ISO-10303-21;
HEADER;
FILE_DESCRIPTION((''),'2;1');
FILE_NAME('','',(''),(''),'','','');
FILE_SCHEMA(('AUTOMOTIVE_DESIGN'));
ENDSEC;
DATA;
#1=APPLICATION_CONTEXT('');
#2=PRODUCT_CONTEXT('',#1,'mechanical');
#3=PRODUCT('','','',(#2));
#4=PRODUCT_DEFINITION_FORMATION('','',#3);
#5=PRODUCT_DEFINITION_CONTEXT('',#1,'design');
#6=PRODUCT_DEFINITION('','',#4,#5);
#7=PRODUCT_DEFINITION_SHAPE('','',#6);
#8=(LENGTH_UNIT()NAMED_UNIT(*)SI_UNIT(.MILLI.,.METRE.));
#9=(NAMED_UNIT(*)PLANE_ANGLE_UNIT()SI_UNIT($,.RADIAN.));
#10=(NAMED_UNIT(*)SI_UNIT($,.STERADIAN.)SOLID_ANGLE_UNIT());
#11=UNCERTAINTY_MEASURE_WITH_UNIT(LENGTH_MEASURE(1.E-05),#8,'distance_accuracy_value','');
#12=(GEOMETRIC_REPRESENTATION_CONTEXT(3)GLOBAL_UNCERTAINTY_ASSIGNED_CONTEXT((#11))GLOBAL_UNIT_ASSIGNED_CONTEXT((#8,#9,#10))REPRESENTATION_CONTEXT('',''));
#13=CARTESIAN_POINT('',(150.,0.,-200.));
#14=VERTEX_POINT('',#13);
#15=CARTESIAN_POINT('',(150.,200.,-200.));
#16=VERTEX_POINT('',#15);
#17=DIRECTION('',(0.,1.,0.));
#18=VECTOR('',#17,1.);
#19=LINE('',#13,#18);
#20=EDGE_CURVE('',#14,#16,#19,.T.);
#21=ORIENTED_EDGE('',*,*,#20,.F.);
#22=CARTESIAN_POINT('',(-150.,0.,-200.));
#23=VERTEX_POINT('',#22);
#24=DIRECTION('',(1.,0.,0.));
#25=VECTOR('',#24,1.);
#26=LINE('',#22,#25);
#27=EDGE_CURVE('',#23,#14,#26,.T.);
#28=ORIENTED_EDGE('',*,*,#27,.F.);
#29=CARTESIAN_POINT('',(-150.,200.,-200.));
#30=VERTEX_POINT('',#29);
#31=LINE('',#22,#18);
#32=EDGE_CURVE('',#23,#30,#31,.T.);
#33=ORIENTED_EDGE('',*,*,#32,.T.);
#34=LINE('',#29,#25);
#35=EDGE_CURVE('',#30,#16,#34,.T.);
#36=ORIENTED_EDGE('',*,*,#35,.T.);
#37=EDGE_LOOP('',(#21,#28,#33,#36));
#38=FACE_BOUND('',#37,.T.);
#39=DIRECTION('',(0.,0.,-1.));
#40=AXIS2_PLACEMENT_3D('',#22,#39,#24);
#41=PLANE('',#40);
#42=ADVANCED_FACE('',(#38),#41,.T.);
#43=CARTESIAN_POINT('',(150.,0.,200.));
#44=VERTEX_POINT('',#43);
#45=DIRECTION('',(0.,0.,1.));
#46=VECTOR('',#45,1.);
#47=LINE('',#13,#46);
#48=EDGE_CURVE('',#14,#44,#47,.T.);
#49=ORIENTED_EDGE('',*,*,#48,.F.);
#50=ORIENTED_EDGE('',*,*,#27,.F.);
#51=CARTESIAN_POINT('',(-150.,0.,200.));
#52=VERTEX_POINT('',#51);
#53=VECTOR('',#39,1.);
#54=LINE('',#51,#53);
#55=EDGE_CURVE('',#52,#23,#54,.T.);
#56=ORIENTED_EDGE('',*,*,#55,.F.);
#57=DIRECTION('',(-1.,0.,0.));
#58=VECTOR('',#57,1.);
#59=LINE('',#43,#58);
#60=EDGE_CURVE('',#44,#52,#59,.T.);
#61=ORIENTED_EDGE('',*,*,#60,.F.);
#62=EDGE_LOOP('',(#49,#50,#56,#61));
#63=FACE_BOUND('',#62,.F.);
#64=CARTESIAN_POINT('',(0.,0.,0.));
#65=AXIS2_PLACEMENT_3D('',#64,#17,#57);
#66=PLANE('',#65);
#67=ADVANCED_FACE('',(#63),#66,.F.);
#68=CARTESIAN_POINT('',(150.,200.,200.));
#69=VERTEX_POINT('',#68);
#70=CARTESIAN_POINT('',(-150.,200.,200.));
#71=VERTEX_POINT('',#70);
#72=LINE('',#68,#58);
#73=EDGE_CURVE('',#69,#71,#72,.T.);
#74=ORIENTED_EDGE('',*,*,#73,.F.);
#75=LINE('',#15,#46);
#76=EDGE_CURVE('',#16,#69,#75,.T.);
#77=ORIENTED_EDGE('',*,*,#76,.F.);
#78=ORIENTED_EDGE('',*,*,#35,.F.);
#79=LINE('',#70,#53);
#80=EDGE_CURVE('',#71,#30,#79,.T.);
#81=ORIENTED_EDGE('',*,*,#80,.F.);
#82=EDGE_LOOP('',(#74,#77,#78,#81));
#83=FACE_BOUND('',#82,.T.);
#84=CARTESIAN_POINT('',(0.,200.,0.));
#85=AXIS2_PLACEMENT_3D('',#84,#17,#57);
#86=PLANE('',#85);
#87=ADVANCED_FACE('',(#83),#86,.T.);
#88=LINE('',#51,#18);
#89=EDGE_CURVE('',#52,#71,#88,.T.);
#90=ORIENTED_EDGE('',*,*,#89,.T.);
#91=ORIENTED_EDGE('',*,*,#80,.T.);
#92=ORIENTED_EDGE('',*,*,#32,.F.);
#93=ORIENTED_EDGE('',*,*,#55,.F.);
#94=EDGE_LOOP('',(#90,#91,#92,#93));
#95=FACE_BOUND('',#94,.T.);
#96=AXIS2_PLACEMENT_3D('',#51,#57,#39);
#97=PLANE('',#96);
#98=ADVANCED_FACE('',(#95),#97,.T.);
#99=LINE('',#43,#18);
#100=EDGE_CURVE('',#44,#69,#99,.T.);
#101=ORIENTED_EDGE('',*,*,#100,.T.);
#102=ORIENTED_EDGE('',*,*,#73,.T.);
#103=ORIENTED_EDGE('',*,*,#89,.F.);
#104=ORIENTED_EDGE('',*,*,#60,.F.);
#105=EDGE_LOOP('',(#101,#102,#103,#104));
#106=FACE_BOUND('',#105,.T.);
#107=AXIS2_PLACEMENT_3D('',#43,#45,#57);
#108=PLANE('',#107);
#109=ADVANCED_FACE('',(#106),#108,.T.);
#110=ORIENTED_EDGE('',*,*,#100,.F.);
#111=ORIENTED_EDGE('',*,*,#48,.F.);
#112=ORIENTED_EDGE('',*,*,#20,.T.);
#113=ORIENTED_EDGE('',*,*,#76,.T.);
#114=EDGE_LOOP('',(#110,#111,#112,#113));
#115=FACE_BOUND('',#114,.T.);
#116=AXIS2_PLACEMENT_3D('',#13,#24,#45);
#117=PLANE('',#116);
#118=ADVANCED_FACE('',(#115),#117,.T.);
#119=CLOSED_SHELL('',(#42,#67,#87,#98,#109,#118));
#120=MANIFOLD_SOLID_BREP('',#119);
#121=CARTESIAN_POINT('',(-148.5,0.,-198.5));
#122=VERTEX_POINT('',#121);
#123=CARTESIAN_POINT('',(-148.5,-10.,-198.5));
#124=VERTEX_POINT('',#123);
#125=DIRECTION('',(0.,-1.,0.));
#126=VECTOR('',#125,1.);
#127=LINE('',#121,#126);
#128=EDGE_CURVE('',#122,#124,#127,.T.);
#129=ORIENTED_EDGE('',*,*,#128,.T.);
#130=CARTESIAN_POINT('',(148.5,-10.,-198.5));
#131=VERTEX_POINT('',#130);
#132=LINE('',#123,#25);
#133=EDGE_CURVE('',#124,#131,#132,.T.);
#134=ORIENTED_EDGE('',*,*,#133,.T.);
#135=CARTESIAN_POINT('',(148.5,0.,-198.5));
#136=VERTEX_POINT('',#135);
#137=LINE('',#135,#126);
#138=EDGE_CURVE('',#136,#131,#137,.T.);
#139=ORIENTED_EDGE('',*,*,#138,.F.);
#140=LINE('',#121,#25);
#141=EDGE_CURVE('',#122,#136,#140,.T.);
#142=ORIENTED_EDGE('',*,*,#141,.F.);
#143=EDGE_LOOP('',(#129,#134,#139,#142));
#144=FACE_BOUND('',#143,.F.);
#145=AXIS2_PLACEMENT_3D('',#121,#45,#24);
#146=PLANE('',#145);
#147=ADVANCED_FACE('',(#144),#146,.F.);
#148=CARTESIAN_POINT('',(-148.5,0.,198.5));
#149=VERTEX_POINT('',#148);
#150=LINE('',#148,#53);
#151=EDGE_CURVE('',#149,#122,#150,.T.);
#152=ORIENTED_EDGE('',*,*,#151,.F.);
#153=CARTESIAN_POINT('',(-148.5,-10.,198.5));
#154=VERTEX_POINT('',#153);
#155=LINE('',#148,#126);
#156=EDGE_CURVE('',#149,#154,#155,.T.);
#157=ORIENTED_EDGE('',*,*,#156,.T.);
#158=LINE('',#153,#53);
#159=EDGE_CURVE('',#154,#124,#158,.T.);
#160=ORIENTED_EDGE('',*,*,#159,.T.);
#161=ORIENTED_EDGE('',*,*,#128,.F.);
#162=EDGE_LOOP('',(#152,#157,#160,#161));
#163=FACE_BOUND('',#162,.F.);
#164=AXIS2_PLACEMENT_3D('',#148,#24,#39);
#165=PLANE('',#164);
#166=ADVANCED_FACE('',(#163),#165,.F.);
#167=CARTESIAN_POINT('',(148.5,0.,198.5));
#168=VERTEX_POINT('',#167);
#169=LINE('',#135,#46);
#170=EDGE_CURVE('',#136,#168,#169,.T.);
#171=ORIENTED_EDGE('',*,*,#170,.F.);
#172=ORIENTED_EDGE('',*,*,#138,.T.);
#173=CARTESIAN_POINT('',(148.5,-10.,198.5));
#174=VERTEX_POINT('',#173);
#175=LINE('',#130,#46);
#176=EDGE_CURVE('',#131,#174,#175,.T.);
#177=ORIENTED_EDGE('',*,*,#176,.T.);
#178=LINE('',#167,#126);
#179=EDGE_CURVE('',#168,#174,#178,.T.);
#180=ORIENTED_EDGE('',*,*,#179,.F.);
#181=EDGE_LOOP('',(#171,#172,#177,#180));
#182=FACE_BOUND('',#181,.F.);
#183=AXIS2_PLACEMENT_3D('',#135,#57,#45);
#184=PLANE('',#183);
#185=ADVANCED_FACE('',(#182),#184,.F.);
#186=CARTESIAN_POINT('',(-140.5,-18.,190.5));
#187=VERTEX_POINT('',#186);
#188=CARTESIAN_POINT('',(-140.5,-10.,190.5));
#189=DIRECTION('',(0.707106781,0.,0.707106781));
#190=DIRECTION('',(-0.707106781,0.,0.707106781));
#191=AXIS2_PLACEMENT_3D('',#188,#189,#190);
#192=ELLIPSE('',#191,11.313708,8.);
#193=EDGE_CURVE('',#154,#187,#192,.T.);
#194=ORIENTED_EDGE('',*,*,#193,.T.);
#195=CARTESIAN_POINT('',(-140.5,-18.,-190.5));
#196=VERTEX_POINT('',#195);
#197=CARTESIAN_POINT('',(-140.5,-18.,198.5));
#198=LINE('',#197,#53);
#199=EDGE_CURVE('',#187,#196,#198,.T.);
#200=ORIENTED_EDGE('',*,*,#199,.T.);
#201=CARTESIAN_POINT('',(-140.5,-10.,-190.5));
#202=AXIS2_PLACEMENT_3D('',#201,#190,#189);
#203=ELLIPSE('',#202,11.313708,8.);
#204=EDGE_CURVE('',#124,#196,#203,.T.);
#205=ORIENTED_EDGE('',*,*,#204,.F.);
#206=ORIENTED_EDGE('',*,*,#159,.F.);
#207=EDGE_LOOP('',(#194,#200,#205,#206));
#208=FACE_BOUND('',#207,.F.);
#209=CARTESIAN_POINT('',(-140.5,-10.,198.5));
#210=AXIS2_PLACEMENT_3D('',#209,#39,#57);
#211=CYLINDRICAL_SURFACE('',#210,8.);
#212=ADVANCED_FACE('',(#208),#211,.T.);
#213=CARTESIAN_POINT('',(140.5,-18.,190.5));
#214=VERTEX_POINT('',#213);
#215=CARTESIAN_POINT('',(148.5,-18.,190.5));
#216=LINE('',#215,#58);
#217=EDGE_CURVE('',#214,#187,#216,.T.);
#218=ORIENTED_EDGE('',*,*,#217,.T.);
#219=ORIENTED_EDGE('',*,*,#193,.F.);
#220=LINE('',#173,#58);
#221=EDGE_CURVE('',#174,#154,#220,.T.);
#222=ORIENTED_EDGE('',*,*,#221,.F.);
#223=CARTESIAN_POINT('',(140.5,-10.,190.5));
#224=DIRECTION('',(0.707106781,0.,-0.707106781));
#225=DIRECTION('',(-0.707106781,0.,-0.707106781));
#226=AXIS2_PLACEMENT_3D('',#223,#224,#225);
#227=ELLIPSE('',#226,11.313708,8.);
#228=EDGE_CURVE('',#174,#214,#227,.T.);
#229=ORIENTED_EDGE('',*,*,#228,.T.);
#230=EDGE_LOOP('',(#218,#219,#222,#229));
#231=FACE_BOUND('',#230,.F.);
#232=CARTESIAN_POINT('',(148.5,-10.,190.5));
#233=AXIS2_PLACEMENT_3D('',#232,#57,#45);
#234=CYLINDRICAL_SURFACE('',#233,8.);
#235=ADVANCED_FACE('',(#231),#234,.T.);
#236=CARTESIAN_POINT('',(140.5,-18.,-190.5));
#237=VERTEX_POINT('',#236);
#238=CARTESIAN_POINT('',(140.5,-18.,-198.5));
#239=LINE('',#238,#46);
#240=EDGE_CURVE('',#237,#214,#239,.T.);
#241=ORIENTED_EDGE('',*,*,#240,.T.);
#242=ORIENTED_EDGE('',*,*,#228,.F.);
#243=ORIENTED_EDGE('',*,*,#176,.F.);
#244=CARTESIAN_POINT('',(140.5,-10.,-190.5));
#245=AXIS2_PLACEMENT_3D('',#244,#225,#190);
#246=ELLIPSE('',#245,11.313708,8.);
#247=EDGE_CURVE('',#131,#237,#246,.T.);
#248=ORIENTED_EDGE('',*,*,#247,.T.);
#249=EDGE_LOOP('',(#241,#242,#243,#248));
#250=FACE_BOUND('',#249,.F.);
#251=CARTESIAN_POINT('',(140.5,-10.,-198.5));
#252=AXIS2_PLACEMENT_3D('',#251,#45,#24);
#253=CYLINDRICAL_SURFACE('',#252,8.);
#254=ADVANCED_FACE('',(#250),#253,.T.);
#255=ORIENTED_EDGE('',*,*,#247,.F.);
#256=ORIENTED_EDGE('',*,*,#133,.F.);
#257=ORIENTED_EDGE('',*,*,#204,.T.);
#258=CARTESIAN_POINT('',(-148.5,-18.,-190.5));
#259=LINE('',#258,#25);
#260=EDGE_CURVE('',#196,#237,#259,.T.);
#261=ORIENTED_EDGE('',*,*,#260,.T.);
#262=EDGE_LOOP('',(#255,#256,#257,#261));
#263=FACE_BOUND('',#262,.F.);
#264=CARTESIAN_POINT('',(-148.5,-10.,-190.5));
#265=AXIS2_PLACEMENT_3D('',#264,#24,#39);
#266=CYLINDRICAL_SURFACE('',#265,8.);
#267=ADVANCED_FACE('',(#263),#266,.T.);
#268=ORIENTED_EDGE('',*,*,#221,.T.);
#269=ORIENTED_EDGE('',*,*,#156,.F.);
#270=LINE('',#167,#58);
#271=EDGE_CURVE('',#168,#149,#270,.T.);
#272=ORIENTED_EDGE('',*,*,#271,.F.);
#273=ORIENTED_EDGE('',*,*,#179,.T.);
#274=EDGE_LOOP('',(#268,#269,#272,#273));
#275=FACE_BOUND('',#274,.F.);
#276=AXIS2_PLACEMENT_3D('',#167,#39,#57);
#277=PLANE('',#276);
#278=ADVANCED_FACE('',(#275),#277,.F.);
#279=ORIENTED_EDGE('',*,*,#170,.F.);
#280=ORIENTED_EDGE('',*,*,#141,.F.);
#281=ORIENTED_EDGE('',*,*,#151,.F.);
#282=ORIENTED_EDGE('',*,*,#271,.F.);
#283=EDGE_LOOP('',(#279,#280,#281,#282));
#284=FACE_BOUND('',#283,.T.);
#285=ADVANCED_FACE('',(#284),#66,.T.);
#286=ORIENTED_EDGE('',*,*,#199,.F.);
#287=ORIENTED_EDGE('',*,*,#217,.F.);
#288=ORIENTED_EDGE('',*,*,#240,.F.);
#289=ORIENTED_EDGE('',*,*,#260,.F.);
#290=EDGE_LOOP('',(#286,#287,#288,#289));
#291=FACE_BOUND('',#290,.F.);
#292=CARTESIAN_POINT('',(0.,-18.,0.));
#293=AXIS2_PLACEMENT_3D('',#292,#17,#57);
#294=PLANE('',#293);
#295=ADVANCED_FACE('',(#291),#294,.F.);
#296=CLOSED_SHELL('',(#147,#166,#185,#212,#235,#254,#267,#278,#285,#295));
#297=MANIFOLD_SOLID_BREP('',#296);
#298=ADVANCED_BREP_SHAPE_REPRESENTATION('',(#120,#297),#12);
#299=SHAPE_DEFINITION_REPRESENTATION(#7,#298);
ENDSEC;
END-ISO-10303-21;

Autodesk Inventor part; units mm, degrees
ref_plane "YZ Plane" through (0, 0, 0) normal (1, 0, 0) x (0, 1, 0)
ref_plane "XZ Plane" through (0, 0, 0) normal (0, 1, 0) x (-1, 0, 0)
ref_plane "XY Plane" through (0, 0, 0) normal (0, 0, 1) x (1, 0, 0)
sketch "Sketch2" plane through (0, 0, 0) normal (0, 1, 0) x (-1, 0, 0)
  line L0 (150, -200) -> (-150, -200)
  line L1 (-150, -200) -> (-150, 200)
  line L2 (-150, 200) -> (150, 200)
  line L3 (150, 200) -> (150, -200)
  line L4 (150, -200) -> (-150, 200) construction
  line L5 (-150, -200) -> (150, 200) construction
  point P0 (0, 0)
  dimension "Width" = 300
  dimension "Height" = 400
sketch "Sketch1" plane through (0, 0, 0) normal (0, 1, 0) x (-1, 0, 0)
  line L0 (148.5, -198.5) -> (-148.5, -198.5)
  line L1 (-148.5, -198.5) -> (-148.5, 198.5)
  line L2 (-148.5, 198.5) -> (148.5, 198.5)
  line L3 (148.5, 198.5) -> (148.5, -198.5)
  line L4 (-150, 200) -> (150, 200) construction
  line L5 (150, 200) -> (150, -200) construction
  line L6 (150, -200) -> (-150, -200) construction
  line L7 (-150, -200) -> (-150, 200) construction
  point P0 (0, 0)
  dimension "Off_From_Top" = 1.5
  dimension "Off_From_Left" = 1.5
  dimension "Off_From_Bottom" = 1.5
  dimension "Off_From_Right" = 1.5
extrude "Extrusion1" add sketch "Sketch1" against normal blind 18
fillet "Fillet1" radius 8 4 edges at (0, -18, 198.5) (148.5, -18, 0) (0, -18, -198.5) (-148.5, -18, 0)
extrude "Extrusion2" add sketch "Sketch2" along normal blind 200 separate body
equation "\"Total_Offset\" = 0.001"
equation "\"Hinge_Gap\" = 0"
equation "\"Inset_Dist\" = 0"
properties part number "Painted Facade Skeleton"
